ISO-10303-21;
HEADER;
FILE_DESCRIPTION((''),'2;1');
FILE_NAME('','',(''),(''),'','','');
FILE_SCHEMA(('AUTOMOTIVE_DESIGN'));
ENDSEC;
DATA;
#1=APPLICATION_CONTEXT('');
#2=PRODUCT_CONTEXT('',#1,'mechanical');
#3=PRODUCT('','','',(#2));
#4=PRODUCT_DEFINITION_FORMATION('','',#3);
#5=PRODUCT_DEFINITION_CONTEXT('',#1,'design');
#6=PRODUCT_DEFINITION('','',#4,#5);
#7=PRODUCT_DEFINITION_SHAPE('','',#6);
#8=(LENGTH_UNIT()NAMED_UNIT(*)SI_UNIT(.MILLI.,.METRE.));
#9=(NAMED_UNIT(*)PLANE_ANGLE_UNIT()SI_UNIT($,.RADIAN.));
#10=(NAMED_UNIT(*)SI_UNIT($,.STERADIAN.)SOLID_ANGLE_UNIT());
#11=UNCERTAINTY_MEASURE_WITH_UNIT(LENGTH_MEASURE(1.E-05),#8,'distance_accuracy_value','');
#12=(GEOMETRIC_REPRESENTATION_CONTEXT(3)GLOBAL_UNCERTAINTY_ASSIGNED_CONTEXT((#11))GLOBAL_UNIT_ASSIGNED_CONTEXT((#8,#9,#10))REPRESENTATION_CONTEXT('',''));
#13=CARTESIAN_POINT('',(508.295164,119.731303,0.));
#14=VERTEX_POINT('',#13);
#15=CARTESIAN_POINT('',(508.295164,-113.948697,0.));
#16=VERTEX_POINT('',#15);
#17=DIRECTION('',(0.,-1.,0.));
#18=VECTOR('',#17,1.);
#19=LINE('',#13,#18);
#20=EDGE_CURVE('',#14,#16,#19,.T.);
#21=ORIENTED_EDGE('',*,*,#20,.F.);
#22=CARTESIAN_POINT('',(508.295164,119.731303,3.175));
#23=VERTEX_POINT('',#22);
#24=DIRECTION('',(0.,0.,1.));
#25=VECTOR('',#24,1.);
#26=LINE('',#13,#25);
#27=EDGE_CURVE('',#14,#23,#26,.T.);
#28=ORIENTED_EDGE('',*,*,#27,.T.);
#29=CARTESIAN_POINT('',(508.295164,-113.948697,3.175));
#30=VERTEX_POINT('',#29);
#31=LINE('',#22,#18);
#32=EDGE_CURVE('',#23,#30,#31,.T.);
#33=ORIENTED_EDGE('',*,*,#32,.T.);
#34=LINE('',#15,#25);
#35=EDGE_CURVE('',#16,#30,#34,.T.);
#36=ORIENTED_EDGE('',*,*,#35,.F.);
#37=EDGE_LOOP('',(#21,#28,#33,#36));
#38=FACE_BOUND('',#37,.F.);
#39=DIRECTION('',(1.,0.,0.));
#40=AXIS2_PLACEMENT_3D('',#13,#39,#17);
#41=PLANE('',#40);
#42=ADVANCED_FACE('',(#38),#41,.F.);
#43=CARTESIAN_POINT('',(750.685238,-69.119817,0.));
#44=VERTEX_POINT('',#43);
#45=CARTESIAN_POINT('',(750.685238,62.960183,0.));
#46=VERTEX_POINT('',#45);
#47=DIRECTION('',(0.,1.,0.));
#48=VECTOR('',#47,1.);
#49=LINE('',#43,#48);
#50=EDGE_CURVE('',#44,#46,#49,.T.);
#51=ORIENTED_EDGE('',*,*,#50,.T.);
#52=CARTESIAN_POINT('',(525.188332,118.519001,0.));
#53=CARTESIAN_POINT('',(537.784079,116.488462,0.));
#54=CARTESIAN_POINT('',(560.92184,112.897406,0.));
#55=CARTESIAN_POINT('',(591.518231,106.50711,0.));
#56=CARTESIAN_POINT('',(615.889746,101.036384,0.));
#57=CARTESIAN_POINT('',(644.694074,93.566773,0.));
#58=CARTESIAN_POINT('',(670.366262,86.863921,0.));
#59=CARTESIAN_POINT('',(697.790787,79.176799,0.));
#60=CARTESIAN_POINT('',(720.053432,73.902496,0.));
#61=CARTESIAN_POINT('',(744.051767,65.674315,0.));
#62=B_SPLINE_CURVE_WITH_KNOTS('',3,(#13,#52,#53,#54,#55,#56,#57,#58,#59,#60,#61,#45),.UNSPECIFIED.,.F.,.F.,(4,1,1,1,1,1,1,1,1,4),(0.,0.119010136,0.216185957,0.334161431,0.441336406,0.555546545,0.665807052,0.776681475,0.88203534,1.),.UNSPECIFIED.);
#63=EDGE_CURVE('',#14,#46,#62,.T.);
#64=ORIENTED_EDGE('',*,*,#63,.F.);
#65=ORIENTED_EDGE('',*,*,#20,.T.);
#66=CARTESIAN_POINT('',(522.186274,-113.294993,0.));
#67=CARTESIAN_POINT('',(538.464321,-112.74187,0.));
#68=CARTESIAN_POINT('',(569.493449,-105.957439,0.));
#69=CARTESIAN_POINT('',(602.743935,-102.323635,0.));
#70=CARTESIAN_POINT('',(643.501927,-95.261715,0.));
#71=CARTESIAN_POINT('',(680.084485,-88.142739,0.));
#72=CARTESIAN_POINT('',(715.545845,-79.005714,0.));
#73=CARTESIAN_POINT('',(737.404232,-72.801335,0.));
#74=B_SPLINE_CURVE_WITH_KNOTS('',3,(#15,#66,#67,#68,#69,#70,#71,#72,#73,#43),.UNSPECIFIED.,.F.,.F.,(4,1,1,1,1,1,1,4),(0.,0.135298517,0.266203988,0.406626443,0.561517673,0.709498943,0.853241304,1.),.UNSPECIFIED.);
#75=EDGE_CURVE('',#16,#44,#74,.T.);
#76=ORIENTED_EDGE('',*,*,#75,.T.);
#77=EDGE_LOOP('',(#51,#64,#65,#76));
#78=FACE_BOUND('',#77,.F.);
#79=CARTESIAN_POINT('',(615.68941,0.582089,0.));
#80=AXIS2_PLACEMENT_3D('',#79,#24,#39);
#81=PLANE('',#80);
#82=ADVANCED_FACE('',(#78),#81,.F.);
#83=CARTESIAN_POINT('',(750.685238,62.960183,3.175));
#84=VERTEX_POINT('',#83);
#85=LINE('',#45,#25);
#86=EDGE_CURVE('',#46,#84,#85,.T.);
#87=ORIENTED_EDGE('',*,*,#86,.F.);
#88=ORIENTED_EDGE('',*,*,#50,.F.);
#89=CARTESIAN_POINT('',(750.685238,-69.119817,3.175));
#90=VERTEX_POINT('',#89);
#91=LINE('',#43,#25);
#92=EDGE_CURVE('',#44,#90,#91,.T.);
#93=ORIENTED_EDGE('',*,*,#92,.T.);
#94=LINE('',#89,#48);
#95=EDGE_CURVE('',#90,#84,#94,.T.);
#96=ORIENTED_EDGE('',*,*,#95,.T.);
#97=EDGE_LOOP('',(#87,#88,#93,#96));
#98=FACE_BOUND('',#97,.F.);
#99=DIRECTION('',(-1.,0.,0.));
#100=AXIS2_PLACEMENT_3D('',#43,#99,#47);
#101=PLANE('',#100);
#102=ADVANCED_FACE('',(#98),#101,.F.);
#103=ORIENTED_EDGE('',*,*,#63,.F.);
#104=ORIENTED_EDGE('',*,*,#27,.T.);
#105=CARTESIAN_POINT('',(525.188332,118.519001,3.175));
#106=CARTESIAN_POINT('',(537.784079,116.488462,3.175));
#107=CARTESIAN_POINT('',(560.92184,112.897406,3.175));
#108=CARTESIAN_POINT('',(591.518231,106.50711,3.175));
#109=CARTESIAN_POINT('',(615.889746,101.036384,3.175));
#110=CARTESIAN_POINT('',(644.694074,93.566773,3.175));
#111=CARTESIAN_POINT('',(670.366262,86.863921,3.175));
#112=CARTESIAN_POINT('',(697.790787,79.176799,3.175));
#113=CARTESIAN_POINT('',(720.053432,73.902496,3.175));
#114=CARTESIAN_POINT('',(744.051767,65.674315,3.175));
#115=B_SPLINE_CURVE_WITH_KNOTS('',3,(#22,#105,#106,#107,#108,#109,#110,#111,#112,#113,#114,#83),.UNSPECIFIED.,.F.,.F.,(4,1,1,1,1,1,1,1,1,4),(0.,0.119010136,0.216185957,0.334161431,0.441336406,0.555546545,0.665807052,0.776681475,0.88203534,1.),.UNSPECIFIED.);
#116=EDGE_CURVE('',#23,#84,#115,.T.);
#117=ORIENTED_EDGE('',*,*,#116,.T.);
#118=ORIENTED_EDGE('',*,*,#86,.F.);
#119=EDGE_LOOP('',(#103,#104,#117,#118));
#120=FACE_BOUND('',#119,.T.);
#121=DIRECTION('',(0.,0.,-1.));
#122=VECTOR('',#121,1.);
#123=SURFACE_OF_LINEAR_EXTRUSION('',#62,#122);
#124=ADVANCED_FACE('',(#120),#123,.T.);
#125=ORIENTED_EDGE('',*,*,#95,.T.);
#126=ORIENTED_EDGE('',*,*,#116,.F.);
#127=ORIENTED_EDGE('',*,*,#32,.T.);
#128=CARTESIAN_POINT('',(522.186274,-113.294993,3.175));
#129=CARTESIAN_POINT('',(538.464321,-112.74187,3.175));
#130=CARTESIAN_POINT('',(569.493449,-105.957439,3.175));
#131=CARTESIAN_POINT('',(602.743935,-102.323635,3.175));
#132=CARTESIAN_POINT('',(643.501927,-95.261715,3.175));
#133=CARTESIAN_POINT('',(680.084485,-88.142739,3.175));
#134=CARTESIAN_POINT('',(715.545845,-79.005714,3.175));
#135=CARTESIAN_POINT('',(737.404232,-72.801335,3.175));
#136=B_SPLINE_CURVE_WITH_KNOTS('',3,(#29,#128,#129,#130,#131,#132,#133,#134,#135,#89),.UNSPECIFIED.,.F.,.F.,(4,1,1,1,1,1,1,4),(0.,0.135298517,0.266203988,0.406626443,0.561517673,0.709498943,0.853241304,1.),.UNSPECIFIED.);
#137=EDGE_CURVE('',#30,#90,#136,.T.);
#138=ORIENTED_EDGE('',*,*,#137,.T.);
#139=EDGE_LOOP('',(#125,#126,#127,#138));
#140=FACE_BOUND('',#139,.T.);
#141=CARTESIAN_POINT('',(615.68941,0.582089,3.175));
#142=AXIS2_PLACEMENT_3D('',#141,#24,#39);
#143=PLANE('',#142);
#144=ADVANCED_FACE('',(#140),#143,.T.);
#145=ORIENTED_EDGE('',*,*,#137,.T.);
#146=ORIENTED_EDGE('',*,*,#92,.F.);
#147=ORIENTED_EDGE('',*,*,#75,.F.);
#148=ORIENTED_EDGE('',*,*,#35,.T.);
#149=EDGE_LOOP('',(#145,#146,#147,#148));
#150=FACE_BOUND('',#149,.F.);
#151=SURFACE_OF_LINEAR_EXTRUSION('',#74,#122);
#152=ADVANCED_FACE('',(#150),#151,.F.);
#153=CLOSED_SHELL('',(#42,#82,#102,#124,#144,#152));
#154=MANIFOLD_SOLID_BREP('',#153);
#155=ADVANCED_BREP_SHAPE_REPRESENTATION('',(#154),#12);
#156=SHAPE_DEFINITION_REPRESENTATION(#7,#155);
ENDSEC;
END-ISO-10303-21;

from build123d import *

# Parameters (mm, degrees)
F1_DEPTH = 3.175


with BuildPart() as f1:
    # F0 (on Top) → F1 (new body)
    with BuildSketch(Plane.XY):
        with BuildLine():
            Line((750.685237943, -69.1198166815), (750.685237943, 62.9601833185))
            add(Edge.make_bspline(
                [(508.2951638521, 119.7313031105), (525.1883316723, 118.5190006411), (537.7840789776, 116.4884621075), (560.9218398221, 112.8974058311), (591.5182314041, 106.5071095769), (615.8897462339, 101.0363836683), (644.694073629, 93.5667725681), (670.3662624244, 86.8639208126), (697.790787125, 79.1767990985), (720.0534318147, 73.9024959798), (744.0517672869, 65.6743153291), (750.685237943, 62.9601833185)],
                knots=[0, 0, 0, 0, 0.1190101363, 0.2161859566, 0.3341614312, 0.4413364062, 0.5555465454, 0.6658070516, 0.7766814752, 0.8820353404, 1, 1, 1, 1], degree=3))
            Line((508.2951638521, 119.7313031105), (508.2951638521, -113.9486968895))
            add(Edge.make_bspline(
                [(508.2951638521, -113.9486968895), (522.1862742746, -113.2949930828), (538.4643206491, -112.741869764), (569.4934485726, -105.9574388943), (602.7439350013, -102.3236353252), (643.5019265846, -95.2617145917), (680.0844851941, -88.1427392199), (715.5458447571, -79.0057141755), (737.4042321379, -72.8013345987), (750.685237943, -69.1198166815)],
                knots=[0, 0, 0, 0, 0.1352985173, 0.2662039883, 0.4066264433, 0.5615176728, 0.7094989426, 0.8532413042, 1, 1, 1, 1], degree=3))
        make_face()
    extrude(amount=F1_DEPTH)


solid = f1.part
